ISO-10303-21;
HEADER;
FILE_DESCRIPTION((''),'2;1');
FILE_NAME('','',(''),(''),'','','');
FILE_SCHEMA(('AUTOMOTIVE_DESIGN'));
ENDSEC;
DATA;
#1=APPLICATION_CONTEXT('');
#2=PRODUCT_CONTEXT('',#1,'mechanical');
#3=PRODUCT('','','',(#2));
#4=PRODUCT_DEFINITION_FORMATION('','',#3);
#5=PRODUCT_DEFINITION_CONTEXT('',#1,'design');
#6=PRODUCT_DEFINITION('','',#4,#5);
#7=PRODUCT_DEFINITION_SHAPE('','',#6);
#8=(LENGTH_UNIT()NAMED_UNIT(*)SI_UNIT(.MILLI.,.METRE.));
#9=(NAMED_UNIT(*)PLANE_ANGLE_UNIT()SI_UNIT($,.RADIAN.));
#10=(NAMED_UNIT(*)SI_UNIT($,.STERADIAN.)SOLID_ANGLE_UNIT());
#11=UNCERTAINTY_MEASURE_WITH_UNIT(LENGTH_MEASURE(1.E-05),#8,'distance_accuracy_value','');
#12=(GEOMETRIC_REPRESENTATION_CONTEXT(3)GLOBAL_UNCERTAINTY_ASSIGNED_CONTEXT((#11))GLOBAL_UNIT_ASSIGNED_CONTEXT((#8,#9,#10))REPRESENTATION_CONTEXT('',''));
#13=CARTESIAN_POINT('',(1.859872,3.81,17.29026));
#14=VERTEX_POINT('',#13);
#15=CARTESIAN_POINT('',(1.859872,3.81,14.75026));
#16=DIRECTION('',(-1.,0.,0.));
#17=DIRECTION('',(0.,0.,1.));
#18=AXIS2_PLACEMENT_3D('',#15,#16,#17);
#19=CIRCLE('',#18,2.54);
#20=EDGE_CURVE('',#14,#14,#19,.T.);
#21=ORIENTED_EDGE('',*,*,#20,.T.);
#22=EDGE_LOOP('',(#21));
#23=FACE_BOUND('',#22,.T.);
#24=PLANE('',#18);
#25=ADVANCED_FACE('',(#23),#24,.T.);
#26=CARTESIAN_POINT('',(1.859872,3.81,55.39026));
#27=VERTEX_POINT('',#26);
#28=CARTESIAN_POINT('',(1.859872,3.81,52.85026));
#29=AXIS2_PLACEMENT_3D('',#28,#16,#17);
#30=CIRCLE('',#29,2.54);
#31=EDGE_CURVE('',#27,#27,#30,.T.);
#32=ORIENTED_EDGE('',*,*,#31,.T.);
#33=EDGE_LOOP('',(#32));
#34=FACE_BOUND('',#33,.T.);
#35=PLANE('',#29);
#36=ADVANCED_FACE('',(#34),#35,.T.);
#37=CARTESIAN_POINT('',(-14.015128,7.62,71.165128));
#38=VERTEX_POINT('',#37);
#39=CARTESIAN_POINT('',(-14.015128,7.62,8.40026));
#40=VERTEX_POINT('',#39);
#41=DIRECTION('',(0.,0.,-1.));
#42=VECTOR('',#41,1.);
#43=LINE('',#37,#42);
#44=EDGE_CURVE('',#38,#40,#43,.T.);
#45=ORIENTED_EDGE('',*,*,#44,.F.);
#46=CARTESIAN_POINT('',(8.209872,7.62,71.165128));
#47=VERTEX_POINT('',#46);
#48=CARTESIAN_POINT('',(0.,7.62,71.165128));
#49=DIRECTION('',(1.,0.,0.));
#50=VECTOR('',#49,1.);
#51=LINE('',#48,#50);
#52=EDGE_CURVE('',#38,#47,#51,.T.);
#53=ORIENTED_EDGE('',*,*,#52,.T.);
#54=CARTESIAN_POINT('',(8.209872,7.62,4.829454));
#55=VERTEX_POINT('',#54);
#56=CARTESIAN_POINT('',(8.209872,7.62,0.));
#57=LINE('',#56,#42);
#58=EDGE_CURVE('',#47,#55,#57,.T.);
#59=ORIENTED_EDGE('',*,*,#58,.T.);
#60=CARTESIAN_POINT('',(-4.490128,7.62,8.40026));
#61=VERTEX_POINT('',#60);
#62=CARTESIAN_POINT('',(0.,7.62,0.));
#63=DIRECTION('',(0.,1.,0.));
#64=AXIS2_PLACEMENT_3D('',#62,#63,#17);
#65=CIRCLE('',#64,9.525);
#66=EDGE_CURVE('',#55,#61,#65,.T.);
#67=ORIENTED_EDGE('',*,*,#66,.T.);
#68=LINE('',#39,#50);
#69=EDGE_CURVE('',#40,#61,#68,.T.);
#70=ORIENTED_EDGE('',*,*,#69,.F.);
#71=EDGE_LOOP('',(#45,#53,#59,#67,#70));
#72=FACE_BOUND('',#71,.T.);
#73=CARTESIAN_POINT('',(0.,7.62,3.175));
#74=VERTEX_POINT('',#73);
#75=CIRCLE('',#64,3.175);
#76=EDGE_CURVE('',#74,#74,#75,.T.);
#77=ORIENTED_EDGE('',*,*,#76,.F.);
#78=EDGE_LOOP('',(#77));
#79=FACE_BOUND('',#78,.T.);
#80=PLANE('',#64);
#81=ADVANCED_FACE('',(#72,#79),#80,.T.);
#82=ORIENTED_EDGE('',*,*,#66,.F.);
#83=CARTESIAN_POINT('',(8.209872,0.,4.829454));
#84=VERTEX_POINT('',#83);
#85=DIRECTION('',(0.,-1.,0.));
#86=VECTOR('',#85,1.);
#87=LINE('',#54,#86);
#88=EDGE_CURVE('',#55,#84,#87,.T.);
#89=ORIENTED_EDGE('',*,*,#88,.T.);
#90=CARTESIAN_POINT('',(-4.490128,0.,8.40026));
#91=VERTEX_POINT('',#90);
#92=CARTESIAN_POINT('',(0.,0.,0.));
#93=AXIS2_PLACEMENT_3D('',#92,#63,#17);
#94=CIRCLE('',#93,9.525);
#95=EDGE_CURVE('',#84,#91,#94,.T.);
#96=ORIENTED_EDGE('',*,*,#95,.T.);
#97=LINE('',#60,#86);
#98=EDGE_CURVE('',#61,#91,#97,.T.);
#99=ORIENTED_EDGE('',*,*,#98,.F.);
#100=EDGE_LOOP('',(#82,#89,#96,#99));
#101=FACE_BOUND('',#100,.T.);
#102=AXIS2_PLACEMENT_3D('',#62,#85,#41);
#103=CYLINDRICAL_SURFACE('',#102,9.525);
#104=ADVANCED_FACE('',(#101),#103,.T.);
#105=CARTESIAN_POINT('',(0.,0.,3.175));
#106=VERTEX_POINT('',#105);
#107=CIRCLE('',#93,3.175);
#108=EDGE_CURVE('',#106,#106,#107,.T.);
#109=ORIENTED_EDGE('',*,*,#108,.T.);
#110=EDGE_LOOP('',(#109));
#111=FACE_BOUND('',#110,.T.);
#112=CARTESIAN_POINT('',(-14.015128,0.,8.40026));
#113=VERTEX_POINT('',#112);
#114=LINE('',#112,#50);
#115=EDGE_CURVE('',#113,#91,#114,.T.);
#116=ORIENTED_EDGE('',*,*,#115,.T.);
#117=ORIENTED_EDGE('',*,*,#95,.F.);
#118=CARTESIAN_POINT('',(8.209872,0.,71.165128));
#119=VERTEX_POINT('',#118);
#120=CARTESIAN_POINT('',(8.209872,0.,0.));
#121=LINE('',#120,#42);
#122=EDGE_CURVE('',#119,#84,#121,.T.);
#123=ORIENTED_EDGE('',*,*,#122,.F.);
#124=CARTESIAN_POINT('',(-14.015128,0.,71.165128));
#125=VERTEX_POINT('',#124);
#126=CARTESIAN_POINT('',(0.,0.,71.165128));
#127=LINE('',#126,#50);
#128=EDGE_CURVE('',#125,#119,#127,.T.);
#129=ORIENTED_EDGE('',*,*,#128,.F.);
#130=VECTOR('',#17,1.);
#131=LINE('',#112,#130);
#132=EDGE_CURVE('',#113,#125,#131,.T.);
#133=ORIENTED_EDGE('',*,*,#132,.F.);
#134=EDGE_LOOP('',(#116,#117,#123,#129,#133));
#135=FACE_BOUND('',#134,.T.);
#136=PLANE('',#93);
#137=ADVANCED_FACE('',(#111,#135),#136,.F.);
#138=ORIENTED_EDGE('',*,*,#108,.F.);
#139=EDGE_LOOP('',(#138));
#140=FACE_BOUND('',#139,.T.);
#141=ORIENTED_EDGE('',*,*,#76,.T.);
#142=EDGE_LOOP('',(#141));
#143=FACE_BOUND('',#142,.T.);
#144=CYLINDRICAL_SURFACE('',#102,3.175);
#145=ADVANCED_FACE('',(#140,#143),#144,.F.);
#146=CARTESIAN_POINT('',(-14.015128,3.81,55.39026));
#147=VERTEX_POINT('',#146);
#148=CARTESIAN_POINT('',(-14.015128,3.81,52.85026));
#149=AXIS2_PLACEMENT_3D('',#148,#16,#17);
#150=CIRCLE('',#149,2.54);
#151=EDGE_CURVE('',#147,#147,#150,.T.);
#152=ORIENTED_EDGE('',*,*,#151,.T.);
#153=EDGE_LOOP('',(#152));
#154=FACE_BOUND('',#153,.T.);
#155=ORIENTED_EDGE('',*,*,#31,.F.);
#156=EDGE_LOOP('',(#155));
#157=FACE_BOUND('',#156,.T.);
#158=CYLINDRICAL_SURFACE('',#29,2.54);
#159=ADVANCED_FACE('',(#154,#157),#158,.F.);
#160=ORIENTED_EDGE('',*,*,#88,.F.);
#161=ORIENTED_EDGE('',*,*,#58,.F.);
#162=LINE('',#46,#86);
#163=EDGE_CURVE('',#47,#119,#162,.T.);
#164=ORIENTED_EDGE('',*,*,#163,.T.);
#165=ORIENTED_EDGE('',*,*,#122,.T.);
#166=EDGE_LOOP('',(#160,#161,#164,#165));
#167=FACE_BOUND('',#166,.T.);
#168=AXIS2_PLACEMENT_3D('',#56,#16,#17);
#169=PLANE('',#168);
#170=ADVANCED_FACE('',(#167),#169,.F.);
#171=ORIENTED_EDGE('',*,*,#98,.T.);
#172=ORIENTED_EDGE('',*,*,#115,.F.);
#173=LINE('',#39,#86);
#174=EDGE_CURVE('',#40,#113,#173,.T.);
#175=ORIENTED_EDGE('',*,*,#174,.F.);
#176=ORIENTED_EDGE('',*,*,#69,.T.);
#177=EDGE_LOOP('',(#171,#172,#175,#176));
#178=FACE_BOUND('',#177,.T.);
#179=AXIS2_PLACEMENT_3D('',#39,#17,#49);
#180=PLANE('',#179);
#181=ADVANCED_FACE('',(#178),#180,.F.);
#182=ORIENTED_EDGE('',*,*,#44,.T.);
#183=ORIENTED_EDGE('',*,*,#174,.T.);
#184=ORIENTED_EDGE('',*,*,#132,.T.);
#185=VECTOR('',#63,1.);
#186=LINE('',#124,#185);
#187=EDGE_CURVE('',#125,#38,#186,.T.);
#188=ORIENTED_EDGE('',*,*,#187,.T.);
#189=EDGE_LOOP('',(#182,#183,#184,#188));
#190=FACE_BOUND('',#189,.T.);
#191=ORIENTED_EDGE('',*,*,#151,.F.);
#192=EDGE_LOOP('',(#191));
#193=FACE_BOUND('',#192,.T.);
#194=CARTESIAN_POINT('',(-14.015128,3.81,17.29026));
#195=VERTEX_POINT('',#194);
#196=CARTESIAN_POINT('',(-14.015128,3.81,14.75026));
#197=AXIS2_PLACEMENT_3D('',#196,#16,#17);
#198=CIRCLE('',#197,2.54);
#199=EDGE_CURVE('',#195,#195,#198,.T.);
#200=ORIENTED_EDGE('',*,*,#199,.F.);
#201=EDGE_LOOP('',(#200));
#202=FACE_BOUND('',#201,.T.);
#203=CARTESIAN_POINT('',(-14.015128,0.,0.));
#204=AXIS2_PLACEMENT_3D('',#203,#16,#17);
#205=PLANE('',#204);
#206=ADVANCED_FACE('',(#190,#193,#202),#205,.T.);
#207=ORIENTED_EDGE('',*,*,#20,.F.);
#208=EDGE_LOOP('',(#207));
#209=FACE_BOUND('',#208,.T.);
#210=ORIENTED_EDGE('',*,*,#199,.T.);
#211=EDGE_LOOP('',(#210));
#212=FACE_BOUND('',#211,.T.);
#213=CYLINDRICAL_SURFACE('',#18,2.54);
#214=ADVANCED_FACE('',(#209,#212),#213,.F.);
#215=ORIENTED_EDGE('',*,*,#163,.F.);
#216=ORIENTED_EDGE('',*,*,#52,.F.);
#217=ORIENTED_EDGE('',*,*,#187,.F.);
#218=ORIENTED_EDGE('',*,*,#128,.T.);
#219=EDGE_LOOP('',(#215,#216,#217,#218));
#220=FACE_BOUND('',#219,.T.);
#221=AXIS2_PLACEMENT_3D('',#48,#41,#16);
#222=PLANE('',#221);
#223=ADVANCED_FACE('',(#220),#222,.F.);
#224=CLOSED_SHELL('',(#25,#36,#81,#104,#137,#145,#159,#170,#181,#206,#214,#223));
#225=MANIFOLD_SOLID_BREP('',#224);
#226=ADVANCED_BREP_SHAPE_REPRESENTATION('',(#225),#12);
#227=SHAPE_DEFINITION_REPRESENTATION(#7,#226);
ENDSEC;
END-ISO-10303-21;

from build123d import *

# Parameters (mm, degrees)
SKETCH1_R           = 3.175
BOSS_EXTRUDE1_DEPTH = 7.62
SKETCH2_R           = 2.54
CUT_EXTRUDE1_DEPTH  = 6.35
SKETCH3_W           = 62.764867648
SKETCH3_H           = 7.62
SKETCH3_R           = 2.54
BOSS_EXTRUDE2_DEPTH = 9.525


with BuildPart() as part:
    # Sketch1 → Boss-Extrude1 (new body)
    with BuildSketch(Plane(origin=(0, 0, 0), x_dir=(1, 0, 0), z_dir=(0, 1, 0))):
        with BuildLine():
            Line((-4.490128061, -8.400260413), (-4.490128061, -71.165128061))
            Line((-4.490128061, -71.165128061), (8.209871939, -71.165128061))
            Line((8.209871939, -71.165128061), (8.209871939, -4.829454186))
            ThreePointArc((8.209871939, -4.829454186), (-2.578136518, 9.169451297), (-4.490128061, -8.400260413))
        make_face()
        Circle(SKETCH1_R, mode=Mode.SUBTRACT)
    extrude(amount=BOSS_EXTRUDE1_DEPTH)

    # Sketch2 → Cut-Extrude1 (cut)
    with BuildSketch(Plane.ZY.offset(4.490128061)):
        with Locations((14.750260413, 3.81)):
            Circle(SKETCH2_R)
        with Locations((52.850260413, 3.81)):
            Circle(SKETCH2_R)
    extrude(amount=-CUT_EXTRUDE1_DEPTH, mode=Mode.SUBTRACT)

    # Sketch3 → Boss-Extrude2 (add)
    with BuildSketch(Plane.ZY.offset(4.490128061)):
        with Locations((39.782694237, 3.81)):
            Rectangle(SKETCH3_W, SKETCH3_H)
        with Locations((52.850260413, 3.81)):
            Circle(SKETCH3_R, mode=Mode.SUBTRACT)
        with Locations((14.750260413, 3.81)):
            Circle(SKETCH3_R, mode=Mode.SUBTRACT)
    extrude(amount=BOSS_EXTRUDE2_DEPTH)


solid = part.part
